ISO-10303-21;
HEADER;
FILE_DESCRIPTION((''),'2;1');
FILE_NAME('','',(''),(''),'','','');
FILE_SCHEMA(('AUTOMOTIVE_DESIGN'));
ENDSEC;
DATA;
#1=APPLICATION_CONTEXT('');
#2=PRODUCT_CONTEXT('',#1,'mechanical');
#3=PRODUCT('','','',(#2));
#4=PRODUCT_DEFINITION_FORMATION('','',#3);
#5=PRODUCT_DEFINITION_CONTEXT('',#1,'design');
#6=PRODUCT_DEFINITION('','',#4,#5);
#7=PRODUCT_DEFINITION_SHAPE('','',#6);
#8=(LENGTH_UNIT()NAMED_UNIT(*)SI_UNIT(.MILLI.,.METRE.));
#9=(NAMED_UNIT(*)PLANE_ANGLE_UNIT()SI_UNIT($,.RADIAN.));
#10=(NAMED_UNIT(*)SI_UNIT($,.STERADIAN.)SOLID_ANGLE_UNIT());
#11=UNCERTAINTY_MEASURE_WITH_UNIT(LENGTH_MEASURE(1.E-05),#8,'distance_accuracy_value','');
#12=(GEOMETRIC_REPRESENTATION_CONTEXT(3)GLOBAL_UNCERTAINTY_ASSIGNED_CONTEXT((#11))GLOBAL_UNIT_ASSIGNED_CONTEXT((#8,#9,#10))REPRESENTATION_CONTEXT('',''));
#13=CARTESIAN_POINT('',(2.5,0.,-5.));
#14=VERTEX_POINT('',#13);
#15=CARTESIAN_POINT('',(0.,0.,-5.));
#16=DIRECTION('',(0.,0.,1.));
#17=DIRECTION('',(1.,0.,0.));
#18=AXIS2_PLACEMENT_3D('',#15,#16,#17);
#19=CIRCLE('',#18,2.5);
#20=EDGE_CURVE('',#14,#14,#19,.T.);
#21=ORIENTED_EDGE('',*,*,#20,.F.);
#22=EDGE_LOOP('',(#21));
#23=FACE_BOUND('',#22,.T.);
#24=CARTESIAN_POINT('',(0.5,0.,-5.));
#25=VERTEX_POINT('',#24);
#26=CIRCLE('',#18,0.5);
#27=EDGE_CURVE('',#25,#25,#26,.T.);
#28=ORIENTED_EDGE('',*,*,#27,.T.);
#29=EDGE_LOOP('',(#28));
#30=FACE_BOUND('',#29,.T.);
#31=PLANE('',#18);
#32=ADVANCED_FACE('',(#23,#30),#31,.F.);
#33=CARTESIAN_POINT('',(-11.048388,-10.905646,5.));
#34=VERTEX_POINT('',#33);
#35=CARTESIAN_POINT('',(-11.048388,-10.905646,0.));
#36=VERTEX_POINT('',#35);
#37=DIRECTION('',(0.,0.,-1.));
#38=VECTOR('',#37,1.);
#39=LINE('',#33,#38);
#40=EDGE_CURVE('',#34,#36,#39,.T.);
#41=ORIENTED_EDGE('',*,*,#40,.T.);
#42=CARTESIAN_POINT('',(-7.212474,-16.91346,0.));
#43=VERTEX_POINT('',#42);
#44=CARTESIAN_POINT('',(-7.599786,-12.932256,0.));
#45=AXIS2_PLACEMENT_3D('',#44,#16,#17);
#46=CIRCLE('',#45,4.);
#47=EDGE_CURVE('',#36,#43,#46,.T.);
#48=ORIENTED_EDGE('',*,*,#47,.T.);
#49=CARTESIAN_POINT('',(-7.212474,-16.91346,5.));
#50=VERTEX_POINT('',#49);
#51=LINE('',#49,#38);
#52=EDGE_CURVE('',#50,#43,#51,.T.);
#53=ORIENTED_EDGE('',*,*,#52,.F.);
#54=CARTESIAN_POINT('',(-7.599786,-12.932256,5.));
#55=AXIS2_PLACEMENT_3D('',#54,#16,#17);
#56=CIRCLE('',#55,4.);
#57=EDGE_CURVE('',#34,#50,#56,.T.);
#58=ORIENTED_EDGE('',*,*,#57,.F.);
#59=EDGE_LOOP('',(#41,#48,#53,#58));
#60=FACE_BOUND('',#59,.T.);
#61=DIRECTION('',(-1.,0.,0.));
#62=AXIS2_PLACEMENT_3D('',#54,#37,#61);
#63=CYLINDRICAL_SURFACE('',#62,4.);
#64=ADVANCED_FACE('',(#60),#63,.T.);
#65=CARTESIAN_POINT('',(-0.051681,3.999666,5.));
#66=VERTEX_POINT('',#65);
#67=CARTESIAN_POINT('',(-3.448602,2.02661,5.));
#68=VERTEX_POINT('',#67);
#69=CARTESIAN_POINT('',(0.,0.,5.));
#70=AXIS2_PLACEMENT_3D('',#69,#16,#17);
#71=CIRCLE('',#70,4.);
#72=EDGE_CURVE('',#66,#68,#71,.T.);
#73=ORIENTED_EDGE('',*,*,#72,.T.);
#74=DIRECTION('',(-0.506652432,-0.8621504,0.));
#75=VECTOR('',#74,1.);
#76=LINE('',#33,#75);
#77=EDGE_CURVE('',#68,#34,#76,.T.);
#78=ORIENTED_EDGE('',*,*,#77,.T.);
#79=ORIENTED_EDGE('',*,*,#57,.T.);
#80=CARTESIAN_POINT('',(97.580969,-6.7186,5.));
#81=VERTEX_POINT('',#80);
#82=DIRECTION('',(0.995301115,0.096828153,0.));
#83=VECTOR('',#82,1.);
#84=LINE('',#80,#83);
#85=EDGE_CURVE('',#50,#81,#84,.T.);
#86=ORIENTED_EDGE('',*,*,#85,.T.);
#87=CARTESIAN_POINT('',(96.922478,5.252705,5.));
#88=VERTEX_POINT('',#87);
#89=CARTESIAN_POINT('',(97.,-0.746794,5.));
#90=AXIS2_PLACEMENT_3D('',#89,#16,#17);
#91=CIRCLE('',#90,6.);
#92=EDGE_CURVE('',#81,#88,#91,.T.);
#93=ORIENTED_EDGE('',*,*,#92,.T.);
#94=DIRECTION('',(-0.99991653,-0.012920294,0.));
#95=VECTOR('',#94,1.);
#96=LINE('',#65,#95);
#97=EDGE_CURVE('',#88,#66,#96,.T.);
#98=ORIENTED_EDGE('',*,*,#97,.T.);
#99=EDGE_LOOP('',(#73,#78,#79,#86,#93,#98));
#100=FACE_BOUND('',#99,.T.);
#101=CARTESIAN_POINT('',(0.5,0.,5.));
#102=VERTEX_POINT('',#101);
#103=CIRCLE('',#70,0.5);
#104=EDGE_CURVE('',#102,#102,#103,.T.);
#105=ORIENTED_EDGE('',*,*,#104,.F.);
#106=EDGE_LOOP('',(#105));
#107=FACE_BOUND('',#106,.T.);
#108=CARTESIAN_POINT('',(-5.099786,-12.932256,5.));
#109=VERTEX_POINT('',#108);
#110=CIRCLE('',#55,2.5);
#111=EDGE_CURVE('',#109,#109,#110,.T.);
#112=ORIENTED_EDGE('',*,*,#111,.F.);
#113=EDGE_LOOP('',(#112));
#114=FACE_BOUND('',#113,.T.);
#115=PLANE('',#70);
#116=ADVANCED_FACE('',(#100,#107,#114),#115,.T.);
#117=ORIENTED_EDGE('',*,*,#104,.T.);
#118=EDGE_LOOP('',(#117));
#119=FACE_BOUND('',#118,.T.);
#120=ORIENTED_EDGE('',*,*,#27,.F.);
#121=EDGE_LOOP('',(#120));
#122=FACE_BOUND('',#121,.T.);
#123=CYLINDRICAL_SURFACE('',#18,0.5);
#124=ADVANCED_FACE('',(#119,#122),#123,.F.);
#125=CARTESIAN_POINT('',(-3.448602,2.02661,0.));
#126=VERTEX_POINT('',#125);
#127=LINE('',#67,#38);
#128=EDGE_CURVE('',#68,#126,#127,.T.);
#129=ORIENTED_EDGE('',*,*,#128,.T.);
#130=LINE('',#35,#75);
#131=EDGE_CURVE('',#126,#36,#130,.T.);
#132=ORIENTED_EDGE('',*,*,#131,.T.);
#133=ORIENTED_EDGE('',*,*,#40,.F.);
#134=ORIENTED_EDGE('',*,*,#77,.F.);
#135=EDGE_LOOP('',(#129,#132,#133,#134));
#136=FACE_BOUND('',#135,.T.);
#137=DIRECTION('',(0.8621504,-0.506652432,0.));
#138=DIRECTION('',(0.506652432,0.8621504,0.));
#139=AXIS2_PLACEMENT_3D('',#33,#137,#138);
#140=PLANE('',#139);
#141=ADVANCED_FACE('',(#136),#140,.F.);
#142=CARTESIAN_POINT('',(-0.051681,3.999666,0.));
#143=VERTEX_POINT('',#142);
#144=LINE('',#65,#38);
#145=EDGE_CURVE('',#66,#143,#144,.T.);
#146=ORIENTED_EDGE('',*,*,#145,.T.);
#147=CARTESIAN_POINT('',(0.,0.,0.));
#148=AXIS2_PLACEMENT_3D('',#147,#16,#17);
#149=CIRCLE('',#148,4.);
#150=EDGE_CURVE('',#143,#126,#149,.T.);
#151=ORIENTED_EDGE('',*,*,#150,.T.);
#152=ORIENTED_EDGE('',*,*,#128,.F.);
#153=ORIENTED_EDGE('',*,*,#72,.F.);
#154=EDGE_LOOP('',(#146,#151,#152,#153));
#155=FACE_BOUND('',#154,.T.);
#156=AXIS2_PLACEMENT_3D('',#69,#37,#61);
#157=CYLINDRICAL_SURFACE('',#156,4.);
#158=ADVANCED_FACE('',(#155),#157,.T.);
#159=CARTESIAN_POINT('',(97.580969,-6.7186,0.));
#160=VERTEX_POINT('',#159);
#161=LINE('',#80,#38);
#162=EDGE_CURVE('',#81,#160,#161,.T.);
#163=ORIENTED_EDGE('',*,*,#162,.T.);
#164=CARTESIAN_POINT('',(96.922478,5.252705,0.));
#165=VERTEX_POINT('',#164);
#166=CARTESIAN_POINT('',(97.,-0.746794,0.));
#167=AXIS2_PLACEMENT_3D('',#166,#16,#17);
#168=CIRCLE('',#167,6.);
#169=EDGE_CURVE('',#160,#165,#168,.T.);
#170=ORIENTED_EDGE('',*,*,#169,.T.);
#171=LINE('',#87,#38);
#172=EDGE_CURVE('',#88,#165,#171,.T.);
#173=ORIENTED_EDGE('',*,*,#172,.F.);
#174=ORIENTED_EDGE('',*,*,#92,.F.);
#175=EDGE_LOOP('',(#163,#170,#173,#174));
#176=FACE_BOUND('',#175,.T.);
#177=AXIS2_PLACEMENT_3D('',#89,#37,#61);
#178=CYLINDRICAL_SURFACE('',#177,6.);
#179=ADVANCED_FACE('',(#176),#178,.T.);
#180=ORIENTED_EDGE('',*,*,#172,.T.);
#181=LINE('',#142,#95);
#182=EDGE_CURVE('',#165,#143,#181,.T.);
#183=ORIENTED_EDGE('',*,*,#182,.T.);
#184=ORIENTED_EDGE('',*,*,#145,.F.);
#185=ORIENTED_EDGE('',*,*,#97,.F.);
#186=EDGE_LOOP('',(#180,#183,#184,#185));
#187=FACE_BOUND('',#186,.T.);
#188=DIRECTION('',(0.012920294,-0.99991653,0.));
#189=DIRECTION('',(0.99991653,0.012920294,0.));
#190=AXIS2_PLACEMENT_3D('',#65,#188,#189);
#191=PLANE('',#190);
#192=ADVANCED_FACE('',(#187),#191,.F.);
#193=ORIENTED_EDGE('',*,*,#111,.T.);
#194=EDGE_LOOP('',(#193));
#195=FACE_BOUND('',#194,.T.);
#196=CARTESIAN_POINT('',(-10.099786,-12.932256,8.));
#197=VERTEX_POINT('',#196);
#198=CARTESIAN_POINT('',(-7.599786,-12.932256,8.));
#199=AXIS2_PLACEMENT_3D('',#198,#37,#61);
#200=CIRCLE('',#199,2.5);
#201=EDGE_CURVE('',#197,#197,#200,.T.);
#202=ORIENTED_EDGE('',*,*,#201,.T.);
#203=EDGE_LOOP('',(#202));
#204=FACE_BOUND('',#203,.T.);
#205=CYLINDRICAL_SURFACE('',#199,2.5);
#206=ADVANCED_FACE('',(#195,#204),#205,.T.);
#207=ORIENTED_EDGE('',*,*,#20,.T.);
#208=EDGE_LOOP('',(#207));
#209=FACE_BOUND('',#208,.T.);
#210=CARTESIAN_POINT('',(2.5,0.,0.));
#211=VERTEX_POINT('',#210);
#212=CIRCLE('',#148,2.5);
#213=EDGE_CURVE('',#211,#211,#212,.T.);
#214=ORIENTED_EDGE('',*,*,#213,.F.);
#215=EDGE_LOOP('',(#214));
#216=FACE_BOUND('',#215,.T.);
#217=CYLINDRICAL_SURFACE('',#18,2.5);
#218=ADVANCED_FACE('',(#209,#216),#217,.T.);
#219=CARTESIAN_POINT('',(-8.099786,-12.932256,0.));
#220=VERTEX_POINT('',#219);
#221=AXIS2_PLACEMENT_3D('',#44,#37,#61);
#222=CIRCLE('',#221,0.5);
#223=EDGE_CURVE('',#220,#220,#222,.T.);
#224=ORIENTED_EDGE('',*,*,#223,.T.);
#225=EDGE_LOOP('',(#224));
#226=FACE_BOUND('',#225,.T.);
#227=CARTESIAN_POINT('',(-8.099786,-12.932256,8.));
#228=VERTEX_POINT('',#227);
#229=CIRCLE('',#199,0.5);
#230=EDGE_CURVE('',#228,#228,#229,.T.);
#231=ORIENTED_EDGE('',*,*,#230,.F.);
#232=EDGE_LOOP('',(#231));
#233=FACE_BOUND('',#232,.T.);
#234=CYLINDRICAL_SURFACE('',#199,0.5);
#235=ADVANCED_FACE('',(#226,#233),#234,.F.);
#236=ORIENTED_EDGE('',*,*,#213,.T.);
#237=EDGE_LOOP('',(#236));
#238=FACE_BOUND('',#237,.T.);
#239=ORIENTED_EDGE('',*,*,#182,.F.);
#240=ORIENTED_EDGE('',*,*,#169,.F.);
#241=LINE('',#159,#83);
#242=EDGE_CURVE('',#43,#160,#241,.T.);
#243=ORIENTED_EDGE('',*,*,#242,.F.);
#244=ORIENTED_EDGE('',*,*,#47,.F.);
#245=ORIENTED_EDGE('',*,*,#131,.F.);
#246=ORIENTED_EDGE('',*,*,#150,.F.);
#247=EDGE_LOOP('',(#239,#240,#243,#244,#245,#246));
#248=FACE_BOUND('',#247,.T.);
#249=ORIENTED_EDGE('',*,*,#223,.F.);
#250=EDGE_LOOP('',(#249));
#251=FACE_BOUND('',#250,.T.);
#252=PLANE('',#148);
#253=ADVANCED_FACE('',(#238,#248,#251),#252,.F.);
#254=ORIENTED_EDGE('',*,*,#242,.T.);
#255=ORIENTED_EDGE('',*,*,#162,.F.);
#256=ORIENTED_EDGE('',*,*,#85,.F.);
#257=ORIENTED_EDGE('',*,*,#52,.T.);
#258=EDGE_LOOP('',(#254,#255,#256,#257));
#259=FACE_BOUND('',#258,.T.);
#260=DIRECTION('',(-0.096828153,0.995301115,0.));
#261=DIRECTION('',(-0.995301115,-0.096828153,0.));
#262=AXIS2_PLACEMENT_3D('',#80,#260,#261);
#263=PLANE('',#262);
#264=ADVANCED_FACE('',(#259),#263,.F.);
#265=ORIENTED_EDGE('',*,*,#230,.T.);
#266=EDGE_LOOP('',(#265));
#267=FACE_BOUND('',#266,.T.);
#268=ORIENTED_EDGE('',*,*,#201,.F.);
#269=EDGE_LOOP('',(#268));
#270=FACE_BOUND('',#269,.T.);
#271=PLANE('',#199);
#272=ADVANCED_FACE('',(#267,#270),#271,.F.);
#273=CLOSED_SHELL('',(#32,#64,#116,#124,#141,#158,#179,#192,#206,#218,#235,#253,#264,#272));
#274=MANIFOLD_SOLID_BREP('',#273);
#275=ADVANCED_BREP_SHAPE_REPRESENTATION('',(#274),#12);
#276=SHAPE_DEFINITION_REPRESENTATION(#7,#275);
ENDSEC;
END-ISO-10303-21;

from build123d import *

# Parameters (mm, degrees)
SKETCH3_R           = 2.5
BOSS_EXTRUDE1_DEPTH = 5
BOSS_EXTRUDE2_START = -10
SKETCH4_R           = 2.5
SKETCH4_R_2         = 0.5
BOSS_EXTRUDE2_DEPTH = 10
SKETCH5_R           = 2.5
SKETCH5_R_2         = 0.5
BOSS_EXTRUDE3_DEPTH = 8


with BuildPart() as part:
    # Sketch3 → Boss-Extrude1 (new body)
    with BuildSketch(Plane.XY):
        with BuildLine():
            Line((-11.048388083, -10.905646279), (-3.448601602, 2.026609728))
            ThreePointArc((-3.448601602, 2.026609728), (-2.00903777, 3.458867913), (-0.051681177, 3.999666118))
            Line((-0.051681177, 3.999666118), (96.922478234, 5.252705394))
            ThreePointArc((96.922478234, 5.252705394), (102.990943647, -0.417257421), (97.580968918, -6.718600471))
            Line((97.580968918, -6.718600471), (-7.212473869, -16.913460466))
            ThreePointArc((-7.212473869, -16.913460466), (-10.971185359, -15.084852023), (-11.048388083, -10.905646279))
        make_face()
        with Locations((-7.599786481, -12.932256007)):
            Circle(SKETCH3_R, mode=Mode.SUBTRACT)
        Circle(SKETCH3_R, mode=Mode.SUBTRACT)
    extrude(amount=BOSS_EXTRUDE1_DEPTH)

    # Sketch4 → Boss-Extrude2 (add)
    with BuildSketch(Plane.XY.offset(5).offset(BOSS_EXTRUDE2_START)):
        Circle(SKETCH4_R)
        Circle(SKETCH4_R_2, mode=Mode.SUBTRACT)
    extrude(amount=BOSS_EXTRUDE2_DEPTH)

    # Sketch5 → Boss-Extrude3 (add)
    with BuildSketch(Plane(origin=(0, 0, 0), x_dir=(-1, 0, 0), z_dir=(0, 0, -1))):
        with Locations((7.599786481, -12.932256007)):
            Circle(SKETCH5_R)
        with Locations((7.599786481, -12.932256007)):
            Circle(SKETCH5_R_2, mode=Mode.SUBTRACT)
    extrude(amount=-BOSS_EXTRUDE3_DEPTH)


solid = part.part
